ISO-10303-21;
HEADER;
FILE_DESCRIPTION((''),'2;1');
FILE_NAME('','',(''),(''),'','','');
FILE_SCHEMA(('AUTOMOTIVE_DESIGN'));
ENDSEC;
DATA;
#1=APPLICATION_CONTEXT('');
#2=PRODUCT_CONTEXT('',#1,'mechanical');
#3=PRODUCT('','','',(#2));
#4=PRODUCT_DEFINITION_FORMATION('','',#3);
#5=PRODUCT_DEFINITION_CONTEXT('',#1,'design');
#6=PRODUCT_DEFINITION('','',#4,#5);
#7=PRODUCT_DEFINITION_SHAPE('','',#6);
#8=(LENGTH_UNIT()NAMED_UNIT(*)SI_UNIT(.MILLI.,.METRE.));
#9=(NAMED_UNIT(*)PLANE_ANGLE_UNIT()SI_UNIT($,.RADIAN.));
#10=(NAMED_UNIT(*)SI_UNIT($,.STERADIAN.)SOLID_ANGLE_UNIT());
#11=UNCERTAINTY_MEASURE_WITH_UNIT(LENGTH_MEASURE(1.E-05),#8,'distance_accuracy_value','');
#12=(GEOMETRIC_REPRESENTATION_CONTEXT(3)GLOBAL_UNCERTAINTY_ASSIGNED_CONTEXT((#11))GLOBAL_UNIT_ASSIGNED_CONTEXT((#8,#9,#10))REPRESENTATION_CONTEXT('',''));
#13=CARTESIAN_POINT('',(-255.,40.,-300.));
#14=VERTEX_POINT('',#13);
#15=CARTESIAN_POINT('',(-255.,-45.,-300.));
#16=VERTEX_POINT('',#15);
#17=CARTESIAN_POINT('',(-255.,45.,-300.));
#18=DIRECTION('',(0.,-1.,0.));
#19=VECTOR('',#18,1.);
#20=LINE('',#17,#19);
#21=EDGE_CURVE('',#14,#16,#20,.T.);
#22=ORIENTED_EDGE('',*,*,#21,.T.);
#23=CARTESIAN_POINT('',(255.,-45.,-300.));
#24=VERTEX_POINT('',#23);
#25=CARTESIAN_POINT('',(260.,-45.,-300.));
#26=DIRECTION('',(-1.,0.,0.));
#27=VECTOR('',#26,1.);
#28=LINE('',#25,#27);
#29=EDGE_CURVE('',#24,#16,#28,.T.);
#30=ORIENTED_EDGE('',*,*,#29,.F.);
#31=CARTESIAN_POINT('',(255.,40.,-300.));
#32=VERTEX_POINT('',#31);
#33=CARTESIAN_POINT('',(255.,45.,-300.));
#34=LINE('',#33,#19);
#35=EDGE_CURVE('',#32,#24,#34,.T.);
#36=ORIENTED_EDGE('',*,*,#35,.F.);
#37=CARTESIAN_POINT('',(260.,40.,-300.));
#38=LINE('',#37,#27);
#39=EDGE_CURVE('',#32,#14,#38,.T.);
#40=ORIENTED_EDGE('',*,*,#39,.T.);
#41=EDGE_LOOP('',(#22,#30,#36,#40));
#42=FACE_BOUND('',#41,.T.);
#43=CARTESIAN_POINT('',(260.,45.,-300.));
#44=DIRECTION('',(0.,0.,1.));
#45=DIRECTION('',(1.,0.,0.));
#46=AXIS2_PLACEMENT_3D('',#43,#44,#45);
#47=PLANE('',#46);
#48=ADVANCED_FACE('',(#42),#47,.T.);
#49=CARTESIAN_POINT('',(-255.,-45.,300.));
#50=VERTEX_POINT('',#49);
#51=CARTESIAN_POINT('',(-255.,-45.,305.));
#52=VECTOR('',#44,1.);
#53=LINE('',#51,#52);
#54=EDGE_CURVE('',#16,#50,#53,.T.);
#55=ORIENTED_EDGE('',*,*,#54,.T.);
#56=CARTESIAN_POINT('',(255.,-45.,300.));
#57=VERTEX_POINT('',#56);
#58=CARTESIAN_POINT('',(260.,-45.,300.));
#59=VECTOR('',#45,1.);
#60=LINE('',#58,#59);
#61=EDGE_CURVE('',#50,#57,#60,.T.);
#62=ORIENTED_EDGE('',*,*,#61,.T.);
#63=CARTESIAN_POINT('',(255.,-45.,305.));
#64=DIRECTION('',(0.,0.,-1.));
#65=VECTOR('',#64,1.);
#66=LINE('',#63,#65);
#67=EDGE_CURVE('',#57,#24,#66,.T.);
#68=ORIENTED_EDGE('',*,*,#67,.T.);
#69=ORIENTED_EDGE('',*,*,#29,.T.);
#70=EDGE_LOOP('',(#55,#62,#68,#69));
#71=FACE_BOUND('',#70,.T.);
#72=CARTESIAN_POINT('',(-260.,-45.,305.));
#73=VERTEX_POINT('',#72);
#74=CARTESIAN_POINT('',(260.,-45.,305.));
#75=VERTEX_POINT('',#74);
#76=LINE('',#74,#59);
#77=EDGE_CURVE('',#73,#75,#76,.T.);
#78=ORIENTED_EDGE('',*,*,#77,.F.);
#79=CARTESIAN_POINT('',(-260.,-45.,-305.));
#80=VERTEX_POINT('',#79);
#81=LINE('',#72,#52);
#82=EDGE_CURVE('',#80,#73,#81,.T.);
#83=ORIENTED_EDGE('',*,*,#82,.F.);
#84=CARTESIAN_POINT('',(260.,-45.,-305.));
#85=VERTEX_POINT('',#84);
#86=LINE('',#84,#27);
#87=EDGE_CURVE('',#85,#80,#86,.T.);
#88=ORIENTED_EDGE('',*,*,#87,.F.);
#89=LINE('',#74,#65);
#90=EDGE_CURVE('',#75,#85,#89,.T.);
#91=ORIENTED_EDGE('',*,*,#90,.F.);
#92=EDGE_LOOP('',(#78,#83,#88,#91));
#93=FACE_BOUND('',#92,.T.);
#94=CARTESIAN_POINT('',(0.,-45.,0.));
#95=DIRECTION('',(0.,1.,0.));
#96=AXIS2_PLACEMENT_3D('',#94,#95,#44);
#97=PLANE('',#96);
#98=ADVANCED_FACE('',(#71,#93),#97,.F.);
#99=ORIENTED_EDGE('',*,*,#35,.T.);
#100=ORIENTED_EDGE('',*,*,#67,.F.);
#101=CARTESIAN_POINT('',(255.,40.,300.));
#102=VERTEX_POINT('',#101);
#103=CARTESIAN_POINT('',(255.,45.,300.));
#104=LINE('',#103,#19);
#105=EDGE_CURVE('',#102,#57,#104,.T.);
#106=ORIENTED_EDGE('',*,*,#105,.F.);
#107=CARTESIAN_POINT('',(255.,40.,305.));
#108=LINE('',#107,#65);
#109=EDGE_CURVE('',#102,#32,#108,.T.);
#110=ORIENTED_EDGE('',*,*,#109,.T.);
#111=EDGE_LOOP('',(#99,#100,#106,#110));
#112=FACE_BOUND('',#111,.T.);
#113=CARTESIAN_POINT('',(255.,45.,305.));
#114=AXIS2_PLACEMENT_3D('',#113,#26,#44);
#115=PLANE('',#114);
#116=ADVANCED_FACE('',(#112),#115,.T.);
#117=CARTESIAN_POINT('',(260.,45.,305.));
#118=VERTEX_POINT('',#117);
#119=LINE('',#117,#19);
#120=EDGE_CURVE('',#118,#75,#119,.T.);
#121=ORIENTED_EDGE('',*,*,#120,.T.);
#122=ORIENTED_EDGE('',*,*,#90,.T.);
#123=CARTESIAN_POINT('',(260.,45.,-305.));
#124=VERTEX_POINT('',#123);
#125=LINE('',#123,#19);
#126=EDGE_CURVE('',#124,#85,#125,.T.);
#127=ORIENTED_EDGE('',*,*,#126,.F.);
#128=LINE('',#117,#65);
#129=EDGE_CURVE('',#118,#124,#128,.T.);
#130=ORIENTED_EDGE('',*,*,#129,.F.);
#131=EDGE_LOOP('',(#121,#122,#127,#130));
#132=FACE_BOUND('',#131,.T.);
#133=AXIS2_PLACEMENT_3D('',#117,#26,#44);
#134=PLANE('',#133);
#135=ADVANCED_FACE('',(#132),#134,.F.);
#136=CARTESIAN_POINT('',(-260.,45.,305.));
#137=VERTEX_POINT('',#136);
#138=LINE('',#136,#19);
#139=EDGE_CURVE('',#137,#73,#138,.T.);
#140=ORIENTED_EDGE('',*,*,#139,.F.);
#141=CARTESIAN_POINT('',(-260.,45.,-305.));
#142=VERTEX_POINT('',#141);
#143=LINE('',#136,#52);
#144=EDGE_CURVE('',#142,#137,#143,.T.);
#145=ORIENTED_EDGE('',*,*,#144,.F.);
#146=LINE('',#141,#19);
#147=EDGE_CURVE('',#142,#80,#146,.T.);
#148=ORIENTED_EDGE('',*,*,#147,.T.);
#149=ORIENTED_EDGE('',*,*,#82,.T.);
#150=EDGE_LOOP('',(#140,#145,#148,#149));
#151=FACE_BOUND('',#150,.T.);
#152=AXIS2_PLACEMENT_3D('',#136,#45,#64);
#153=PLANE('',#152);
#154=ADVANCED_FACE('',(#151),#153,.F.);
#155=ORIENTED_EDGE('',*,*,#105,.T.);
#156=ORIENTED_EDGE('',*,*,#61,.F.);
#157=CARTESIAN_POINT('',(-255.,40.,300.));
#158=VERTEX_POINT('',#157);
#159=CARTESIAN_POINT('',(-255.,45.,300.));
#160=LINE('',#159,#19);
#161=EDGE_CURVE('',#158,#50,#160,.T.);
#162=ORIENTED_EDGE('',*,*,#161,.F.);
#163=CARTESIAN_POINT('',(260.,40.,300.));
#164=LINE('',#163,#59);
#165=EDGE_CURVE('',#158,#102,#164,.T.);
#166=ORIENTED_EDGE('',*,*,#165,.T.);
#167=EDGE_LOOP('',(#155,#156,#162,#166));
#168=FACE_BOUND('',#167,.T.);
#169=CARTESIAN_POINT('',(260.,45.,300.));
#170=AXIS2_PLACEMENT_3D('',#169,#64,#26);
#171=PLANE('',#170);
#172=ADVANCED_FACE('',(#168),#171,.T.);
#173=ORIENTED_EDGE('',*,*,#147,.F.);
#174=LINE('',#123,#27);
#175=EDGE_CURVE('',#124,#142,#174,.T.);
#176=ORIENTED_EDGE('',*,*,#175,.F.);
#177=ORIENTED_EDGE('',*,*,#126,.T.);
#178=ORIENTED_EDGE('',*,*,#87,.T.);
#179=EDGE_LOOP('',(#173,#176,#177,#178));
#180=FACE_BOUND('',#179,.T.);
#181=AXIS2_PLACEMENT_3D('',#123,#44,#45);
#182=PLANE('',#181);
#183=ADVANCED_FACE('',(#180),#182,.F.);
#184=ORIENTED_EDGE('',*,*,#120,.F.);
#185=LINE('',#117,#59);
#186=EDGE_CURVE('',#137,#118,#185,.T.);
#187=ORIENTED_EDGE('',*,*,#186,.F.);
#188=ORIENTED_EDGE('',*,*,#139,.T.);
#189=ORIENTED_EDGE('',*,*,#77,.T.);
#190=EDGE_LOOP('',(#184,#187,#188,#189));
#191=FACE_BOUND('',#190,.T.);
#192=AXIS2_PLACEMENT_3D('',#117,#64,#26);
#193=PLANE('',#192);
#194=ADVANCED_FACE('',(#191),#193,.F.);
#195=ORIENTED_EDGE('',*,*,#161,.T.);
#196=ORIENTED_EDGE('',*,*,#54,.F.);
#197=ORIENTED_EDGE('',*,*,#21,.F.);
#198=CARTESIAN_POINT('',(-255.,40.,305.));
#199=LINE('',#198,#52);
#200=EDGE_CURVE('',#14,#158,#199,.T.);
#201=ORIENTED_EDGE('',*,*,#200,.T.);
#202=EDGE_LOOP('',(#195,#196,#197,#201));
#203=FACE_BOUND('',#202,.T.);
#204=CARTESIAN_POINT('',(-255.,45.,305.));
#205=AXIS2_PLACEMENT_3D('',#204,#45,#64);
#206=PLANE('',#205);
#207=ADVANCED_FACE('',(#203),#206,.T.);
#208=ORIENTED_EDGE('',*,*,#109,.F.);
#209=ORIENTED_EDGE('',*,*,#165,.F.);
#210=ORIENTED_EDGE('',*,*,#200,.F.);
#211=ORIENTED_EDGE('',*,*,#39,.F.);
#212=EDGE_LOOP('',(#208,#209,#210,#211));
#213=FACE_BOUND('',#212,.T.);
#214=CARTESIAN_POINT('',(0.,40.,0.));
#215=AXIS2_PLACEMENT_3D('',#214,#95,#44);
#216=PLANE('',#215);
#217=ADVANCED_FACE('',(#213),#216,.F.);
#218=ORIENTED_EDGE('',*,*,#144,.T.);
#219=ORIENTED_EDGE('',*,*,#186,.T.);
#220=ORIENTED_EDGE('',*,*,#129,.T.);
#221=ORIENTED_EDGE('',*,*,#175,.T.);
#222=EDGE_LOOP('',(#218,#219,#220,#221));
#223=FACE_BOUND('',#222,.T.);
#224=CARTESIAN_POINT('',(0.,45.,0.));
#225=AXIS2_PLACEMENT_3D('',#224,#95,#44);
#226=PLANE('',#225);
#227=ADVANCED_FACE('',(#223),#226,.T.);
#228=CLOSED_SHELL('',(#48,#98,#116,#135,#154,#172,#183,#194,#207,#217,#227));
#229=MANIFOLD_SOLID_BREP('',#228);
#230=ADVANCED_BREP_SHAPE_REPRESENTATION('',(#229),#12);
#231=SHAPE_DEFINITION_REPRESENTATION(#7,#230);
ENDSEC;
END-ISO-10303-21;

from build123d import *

# Parameters (mm, degrees)
SKETCH1_W           = 520
SKETCH1_H           = 610
BOSS_EXTRUDE1_DEPTH = 45
SHELL1_T            = -5


with BuildPart() as part:
    # Sketch1 → Boss-Extrude1 (new, symmetric)
    with BuildSketch(Plane(origin=(0, 0, 0), x_dir=(1, 0, 0), z_dir=(0, 1, 0))):
        Rectangle(SKETCH1_W, SKETCH1_H)
    extrude(amount=BOSS_EXTRUDE1_DEPTH, both=True)

    # Shell1
    shell1_openings = [part.faces().sort_by_distance(p)[0] for p in [
        (0, -45, 0),
    ]]
    offset(amount=SHELL1_T, openings=shell1_openings, kind=Kind.INTERSECTION)


solid = part.part
